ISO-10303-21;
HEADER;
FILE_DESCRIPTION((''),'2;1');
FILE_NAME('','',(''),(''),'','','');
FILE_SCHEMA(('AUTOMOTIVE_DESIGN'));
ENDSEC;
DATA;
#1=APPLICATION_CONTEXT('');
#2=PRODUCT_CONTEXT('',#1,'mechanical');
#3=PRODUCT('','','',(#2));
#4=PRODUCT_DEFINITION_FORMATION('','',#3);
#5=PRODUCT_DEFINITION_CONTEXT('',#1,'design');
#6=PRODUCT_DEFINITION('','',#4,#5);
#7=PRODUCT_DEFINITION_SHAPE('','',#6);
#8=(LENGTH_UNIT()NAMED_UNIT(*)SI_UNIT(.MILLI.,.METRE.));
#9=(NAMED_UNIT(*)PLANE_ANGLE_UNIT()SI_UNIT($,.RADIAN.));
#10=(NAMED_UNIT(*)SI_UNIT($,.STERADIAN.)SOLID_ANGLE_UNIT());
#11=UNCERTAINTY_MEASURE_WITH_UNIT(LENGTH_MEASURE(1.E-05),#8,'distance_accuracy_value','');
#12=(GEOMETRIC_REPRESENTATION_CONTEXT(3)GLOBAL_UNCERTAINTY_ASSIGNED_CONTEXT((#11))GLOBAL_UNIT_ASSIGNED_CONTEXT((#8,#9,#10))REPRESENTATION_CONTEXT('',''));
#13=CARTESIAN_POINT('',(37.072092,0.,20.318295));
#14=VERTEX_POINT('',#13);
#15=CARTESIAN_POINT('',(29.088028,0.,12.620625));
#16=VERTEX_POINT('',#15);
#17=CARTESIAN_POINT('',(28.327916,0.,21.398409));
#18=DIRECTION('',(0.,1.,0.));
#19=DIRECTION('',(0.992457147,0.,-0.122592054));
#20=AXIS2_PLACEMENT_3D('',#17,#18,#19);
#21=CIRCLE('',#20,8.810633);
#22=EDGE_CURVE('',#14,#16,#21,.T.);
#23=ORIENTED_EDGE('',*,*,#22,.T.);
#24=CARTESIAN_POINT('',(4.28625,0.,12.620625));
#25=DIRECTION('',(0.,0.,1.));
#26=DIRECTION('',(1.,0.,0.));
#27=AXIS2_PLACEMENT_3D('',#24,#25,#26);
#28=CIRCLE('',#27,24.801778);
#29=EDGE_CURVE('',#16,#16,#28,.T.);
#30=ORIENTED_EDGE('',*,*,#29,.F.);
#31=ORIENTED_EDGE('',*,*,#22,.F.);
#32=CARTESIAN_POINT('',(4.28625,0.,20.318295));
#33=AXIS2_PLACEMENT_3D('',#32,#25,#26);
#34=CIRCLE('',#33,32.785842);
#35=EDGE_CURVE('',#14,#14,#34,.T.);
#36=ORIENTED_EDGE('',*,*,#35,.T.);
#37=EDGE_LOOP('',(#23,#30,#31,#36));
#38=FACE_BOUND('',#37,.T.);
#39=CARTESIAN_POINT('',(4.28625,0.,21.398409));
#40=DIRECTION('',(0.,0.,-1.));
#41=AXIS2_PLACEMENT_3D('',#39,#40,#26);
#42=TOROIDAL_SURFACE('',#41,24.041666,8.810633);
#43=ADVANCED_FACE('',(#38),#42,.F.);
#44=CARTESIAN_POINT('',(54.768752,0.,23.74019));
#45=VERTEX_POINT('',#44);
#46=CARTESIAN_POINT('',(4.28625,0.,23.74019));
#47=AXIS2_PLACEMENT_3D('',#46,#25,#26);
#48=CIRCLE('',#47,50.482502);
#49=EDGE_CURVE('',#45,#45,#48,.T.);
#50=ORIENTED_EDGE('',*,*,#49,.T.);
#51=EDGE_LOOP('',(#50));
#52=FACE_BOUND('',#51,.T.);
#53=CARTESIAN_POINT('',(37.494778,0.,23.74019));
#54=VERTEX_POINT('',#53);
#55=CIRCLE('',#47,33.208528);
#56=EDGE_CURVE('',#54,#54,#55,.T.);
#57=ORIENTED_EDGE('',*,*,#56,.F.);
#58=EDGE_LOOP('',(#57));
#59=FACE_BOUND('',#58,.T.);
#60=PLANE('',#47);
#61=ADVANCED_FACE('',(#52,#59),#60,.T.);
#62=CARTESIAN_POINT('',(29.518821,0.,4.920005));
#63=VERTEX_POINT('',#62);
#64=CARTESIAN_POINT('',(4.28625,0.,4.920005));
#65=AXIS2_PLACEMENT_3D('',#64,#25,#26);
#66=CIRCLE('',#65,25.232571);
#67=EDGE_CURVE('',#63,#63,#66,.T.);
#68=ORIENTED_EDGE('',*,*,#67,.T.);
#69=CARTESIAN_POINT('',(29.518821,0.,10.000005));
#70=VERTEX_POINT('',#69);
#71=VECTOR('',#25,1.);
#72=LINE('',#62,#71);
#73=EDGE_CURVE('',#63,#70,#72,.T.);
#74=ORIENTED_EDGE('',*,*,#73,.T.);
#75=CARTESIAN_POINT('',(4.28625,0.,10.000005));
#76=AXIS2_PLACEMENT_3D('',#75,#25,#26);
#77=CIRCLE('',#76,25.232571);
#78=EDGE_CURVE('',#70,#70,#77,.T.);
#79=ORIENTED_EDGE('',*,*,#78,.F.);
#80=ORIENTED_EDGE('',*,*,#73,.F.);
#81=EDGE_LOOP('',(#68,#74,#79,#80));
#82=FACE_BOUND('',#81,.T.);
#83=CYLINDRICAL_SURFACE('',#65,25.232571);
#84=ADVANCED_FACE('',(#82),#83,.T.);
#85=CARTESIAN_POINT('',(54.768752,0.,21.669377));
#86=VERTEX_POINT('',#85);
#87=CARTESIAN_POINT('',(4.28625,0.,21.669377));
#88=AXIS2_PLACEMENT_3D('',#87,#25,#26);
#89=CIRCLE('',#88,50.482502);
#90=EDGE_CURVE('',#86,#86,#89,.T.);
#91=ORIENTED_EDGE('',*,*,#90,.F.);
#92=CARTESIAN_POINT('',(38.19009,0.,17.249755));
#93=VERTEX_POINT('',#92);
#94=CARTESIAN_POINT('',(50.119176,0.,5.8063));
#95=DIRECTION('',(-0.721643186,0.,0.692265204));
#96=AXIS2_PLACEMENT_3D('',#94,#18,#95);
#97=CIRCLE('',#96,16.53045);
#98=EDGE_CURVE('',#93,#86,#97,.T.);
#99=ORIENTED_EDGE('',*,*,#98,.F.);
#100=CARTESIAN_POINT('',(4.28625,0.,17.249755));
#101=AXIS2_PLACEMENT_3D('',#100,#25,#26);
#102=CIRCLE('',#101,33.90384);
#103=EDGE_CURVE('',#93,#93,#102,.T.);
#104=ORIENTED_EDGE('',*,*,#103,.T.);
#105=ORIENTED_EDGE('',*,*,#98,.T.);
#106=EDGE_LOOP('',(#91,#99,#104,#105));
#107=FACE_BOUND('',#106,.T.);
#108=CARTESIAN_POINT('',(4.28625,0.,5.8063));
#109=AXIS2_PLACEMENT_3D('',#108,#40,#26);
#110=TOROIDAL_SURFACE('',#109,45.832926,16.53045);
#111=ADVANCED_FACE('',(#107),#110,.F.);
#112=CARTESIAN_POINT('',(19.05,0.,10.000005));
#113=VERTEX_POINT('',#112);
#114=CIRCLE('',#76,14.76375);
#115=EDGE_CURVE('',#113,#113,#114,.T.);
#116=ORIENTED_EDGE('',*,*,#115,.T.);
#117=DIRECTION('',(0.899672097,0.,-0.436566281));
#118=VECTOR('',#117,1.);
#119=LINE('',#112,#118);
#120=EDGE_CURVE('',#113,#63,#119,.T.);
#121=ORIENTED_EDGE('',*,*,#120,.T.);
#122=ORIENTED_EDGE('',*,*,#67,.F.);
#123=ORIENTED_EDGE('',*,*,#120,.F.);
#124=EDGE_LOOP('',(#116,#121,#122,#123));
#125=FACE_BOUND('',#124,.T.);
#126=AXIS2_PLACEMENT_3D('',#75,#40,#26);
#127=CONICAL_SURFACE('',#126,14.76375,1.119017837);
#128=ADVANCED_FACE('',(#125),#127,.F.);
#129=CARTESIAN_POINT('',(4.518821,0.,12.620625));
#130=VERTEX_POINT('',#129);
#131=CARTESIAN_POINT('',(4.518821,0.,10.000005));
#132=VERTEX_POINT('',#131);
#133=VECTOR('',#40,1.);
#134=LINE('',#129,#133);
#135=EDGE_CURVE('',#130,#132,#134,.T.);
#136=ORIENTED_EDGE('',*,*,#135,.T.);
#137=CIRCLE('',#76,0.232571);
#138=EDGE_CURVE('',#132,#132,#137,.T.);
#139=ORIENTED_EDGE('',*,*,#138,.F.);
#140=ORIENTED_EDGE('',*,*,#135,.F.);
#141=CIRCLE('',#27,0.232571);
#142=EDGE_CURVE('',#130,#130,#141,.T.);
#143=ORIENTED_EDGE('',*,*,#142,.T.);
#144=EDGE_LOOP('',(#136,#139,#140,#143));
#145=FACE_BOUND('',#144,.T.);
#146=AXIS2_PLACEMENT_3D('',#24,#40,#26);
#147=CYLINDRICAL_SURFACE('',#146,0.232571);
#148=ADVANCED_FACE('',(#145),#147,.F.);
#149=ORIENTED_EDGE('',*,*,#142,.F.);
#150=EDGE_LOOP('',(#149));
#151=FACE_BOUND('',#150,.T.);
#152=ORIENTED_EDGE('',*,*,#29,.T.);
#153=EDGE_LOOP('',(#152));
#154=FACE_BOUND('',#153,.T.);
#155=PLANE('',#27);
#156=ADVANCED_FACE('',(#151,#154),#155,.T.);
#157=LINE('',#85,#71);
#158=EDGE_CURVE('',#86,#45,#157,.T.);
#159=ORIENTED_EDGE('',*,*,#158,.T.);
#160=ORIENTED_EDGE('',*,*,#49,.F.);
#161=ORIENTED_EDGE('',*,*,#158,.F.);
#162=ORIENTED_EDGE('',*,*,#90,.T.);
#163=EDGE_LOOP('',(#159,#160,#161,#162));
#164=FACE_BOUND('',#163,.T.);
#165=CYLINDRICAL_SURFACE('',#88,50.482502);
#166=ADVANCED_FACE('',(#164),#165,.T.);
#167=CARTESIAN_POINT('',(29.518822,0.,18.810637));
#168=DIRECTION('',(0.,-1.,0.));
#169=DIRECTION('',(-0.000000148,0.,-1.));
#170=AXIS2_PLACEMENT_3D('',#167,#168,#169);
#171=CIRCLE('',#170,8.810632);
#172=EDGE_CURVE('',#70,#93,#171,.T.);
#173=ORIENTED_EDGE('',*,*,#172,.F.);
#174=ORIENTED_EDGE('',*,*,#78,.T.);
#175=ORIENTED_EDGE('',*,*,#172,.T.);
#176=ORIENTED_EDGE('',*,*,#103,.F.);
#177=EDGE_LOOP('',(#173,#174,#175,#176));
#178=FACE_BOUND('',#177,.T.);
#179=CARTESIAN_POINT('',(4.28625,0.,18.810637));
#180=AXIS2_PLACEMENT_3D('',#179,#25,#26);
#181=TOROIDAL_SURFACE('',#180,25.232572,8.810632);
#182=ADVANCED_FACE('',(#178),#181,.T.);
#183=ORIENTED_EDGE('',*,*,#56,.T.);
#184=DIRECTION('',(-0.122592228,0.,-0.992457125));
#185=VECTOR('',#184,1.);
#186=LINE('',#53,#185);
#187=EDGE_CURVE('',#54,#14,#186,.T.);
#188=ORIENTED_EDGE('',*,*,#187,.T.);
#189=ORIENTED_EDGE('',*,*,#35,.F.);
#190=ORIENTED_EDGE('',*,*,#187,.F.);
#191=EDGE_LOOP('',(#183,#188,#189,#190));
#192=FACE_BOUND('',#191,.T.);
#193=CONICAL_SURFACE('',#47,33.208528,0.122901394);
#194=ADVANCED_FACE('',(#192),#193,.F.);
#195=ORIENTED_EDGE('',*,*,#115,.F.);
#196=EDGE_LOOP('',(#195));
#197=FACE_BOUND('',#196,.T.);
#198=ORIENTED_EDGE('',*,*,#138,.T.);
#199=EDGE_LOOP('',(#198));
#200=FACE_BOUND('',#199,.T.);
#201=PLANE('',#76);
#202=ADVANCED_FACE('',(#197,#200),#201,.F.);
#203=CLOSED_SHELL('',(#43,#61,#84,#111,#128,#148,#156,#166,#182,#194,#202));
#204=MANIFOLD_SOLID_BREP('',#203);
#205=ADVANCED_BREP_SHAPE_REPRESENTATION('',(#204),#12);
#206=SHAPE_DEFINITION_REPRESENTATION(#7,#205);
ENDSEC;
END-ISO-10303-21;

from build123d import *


with BuildPart() as f2:
    # F0 (on Front) → F2 (revolve)
    with BuildSketch(Plane.XZ):
        with BuildLine():
            Line((4.518821, 12.620625), (4.518821, 10.000005))
            Line((4.518821, 10.000005), (19.05, 10.000005))
            Line((19.05, 10.000005), (29.518821, 10.000005))
            ThreePointArc((29.518821, 10.000005), (35.170144, 12.051214), (38.19009, 17.249755))
            ThreePointArc((38.19009, 17.249755), (45.861116, 21.778923), (54.768752, 21.669377))
            Line((54.768752, 21.669377), (54.768752, 23.74019))
            Line((54.768752, 23.74019), (37.494778, 23.74019))
            Line((37.494778, 23.74019), (37.072092, 20.318295))
            ThreePointArc((37.072092, 20.318295), (34.443176, 15.055629), (29.088028, 12.620625))
            Line((29.088028, 12.620625), (4.518821, 12.620625))
        make_face()
        Polygon((29.518821, 10.000005), (19.05, 10.000005), (29.518821, 4.920005), align=None)
    revolve(axis=Axis((4.28625, 0, 15.24), (0, 0, 1)))


solid = f2.part
